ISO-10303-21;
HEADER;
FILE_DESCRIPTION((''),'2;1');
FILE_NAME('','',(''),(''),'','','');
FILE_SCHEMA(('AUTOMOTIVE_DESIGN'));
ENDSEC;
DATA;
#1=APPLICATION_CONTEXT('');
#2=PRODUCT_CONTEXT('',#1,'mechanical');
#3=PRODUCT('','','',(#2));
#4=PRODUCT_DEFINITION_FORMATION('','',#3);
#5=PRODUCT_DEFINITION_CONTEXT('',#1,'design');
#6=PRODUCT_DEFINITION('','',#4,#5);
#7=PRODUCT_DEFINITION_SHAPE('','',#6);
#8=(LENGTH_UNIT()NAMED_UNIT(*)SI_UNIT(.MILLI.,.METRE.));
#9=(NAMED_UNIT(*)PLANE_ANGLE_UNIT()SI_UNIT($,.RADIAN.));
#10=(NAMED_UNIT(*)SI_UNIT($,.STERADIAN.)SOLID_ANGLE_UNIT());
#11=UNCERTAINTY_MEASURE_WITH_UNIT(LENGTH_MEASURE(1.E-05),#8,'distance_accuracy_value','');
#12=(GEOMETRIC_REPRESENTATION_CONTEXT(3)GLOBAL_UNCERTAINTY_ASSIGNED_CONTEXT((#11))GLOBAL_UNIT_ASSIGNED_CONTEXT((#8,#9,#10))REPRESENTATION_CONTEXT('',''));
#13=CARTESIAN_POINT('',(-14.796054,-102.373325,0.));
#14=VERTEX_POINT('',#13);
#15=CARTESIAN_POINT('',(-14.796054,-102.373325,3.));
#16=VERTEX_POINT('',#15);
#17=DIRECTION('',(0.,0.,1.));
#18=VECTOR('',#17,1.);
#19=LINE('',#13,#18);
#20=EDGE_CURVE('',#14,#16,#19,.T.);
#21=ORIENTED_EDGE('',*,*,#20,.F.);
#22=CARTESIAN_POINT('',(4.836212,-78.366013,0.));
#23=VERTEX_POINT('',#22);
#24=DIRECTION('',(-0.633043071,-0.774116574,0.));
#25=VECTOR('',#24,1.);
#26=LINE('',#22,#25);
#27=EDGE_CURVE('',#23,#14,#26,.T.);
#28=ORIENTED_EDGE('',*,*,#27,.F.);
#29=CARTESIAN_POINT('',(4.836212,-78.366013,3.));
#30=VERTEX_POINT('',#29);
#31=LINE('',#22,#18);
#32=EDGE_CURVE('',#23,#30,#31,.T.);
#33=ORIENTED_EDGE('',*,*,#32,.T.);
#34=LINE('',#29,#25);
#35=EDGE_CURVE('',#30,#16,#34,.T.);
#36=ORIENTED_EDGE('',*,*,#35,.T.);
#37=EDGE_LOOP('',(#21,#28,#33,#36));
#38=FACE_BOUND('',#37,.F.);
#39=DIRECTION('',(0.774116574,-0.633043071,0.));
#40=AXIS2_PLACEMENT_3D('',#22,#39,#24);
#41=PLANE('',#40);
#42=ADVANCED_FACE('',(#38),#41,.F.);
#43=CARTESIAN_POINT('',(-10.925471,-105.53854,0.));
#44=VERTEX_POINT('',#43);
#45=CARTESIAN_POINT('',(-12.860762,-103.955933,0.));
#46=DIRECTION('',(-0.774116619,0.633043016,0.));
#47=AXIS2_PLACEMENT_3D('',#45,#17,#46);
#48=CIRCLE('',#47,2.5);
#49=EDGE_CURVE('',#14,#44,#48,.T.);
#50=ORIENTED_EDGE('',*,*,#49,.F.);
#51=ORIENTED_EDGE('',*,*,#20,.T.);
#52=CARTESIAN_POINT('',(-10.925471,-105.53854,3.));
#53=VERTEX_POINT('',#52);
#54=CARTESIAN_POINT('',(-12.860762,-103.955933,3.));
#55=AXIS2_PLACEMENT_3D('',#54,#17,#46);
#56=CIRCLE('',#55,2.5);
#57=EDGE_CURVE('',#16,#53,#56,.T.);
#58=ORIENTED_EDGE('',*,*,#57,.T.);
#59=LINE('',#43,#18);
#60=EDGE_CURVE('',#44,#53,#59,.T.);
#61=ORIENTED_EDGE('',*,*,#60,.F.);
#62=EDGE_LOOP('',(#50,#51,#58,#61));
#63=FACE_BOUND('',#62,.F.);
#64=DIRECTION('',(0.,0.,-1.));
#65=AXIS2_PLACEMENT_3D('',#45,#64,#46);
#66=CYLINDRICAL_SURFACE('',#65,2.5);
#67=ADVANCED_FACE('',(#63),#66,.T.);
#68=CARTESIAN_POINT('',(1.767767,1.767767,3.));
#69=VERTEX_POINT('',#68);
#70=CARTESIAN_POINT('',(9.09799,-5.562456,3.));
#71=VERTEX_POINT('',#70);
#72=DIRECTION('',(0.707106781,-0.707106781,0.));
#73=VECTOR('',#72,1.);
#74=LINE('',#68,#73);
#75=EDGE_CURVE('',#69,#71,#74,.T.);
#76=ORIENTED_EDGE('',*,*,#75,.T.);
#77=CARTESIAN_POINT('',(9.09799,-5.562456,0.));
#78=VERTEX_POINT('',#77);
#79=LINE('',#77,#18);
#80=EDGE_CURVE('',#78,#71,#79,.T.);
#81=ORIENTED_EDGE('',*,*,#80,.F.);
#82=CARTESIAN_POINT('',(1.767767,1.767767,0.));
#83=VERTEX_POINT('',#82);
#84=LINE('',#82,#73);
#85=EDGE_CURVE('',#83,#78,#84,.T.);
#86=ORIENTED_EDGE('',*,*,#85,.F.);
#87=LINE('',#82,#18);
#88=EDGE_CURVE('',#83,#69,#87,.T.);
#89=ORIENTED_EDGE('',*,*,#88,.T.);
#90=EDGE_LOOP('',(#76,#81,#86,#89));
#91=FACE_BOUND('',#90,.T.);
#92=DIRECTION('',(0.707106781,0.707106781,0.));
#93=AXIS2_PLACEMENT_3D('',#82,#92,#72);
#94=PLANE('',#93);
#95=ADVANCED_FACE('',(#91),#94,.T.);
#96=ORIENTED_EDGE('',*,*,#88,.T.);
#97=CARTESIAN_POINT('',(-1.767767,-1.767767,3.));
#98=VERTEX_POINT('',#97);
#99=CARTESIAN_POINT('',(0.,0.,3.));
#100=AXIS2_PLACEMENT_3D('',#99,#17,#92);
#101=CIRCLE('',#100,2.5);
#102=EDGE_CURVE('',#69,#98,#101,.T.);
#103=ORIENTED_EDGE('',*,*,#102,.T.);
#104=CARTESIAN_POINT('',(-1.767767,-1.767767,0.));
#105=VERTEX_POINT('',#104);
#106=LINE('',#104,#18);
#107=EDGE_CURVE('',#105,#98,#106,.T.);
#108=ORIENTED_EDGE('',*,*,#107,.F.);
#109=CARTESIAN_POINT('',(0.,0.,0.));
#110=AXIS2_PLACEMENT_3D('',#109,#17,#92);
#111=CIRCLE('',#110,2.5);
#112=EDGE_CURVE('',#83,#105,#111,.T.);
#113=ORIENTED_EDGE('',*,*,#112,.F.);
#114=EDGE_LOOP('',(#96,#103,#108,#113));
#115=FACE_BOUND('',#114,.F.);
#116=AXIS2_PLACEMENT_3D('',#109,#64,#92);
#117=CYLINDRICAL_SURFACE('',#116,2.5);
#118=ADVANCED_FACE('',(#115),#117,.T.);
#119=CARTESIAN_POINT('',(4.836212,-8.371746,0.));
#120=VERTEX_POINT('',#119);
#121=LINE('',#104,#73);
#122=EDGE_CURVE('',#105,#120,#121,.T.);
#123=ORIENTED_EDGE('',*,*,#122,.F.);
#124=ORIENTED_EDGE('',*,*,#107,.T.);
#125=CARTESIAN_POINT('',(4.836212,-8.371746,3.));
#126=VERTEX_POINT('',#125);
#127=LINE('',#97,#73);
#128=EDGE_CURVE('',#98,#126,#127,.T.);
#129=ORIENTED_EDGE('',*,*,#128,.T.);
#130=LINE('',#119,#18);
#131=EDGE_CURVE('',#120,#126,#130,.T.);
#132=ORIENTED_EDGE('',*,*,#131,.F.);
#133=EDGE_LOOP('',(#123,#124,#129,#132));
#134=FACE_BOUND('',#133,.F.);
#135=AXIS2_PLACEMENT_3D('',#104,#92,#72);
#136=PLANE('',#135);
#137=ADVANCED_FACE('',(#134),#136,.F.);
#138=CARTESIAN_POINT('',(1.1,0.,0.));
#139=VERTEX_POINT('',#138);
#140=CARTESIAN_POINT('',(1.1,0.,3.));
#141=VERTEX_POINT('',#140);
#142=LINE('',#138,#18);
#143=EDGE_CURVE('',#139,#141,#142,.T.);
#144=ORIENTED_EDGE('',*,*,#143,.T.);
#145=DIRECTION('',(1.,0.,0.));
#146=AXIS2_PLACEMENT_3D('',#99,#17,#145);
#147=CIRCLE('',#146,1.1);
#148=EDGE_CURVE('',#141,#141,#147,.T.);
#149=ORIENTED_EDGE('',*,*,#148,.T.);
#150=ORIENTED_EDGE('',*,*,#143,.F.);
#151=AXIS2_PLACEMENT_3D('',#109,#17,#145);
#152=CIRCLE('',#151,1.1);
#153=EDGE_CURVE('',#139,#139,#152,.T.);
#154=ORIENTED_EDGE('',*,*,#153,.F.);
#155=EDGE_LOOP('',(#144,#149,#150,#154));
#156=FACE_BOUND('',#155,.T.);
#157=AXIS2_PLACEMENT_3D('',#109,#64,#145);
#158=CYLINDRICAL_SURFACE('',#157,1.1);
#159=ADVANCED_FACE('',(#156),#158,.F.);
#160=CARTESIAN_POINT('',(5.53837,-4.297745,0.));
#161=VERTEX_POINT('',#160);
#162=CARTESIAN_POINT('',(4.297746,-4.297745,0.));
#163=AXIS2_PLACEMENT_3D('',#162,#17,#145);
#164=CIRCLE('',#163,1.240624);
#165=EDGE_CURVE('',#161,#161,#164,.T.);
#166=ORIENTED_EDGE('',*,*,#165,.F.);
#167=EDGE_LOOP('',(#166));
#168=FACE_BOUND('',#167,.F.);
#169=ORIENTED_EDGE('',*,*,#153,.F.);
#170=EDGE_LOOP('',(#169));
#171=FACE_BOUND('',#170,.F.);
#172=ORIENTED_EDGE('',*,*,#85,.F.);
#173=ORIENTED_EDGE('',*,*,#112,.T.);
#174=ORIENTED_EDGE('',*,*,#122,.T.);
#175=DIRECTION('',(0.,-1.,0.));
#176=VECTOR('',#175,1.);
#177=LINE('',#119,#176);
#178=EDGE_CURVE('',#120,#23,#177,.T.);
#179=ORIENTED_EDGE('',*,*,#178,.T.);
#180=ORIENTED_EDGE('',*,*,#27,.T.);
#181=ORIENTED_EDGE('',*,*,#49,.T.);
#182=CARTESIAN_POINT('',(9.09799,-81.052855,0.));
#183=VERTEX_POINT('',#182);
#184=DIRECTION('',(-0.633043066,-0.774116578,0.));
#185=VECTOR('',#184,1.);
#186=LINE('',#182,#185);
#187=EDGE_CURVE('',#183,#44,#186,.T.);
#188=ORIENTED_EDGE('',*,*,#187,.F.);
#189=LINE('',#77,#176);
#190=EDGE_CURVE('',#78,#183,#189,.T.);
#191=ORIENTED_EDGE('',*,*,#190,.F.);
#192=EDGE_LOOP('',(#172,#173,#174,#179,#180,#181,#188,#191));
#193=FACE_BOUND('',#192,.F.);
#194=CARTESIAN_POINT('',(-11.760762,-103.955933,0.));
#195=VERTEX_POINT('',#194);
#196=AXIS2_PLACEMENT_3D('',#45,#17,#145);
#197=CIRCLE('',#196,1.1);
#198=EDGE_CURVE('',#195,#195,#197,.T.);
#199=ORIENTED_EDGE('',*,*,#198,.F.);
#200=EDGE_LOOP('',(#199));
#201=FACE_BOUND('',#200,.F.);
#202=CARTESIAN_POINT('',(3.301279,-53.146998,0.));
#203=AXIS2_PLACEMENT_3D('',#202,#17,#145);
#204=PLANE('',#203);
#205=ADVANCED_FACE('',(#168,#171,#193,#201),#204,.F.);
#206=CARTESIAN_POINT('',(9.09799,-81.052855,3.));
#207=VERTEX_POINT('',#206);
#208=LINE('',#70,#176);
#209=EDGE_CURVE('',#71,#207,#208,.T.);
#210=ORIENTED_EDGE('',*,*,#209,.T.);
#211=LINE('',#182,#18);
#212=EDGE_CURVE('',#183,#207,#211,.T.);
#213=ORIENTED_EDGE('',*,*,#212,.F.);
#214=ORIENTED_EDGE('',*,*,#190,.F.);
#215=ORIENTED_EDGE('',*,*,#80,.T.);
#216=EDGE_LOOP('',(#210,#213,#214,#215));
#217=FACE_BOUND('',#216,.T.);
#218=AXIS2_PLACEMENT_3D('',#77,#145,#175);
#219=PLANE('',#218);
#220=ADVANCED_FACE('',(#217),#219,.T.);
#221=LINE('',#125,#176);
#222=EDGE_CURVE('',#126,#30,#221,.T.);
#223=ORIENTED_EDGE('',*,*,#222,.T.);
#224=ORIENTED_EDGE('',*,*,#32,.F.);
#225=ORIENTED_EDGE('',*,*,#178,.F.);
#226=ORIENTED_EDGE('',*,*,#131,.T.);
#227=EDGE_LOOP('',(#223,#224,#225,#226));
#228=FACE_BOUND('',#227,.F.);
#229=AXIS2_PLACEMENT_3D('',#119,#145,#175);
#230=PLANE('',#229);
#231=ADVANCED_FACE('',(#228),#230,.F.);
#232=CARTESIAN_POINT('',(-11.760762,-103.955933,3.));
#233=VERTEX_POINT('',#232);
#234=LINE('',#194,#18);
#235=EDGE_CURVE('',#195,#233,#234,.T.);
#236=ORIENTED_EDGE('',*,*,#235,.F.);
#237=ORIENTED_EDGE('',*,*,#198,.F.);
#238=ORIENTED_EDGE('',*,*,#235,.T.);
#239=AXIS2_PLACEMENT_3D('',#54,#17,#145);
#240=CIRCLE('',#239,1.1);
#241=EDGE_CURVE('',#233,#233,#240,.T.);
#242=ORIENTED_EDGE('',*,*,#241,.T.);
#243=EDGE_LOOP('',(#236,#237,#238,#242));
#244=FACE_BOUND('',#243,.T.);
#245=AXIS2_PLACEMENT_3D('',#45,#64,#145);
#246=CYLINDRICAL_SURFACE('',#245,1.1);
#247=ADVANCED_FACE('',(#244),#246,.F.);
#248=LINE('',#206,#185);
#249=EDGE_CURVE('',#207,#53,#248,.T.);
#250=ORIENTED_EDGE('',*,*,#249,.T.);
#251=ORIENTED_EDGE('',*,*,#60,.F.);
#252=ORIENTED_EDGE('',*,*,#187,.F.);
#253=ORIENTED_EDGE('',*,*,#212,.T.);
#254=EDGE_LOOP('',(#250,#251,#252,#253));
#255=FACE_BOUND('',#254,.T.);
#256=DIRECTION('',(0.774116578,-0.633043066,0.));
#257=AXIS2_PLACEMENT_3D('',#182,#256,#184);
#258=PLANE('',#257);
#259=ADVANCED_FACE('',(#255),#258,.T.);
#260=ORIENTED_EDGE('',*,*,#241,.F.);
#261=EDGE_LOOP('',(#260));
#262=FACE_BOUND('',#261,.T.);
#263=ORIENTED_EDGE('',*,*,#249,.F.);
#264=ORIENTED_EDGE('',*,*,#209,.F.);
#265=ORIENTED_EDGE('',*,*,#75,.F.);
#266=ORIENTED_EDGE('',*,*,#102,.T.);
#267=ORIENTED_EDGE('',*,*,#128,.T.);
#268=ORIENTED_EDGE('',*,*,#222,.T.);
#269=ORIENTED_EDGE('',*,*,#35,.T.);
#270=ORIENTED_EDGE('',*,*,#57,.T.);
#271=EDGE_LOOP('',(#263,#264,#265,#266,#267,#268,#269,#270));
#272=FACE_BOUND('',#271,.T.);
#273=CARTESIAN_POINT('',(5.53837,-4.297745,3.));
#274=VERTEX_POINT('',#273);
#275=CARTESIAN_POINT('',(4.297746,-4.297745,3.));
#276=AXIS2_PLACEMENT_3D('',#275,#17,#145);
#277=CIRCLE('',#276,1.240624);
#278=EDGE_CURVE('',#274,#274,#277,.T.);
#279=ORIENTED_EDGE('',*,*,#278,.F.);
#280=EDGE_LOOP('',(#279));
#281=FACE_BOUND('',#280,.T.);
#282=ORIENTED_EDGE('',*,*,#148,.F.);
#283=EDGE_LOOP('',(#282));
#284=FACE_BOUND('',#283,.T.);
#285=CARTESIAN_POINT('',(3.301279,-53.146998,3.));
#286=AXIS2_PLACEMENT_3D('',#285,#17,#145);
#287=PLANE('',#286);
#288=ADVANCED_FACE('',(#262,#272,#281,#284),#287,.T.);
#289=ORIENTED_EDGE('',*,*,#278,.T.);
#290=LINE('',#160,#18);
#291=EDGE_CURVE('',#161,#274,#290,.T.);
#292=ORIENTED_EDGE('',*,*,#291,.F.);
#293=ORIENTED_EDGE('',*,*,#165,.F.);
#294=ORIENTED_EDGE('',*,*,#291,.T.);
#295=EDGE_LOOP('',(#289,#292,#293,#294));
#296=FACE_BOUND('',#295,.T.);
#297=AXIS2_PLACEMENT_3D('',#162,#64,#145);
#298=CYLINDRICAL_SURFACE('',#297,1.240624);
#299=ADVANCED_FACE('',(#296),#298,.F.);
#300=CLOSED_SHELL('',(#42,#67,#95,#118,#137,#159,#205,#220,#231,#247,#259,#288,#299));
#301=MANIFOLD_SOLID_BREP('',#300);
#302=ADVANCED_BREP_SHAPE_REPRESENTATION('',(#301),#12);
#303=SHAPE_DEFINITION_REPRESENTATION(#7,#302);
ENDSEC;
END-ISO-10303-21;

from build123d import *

# Parameters (mm, degrees)
SKETCH_1_R   = 1.1
SKETCH_1_R_2 = 1.240624
PAD_DEPTH    = 3


with BuildPart() as part:
    # Sketch_1 → Pad (new body)
    with BuildSketch(Plane.XY):
        with BuildLine():
            ThreePointArc((1.767767, 1.767767), (-1.767767, 1.767767), (-1.767767, -1.767767))
            Line((-1.767767, -1.767767), (4.836212, -8.371746))
            Line((4.836212, -8.371746), (4.836212, -78.366013))
            Line((4.836212, -78.366013), (-14.796054, -102.373325))
            ThreePointArc((-14.796054, -102.373325), (-14.44337, -105.891224), (-10.925471, -105.53854))
            Line((9.09799, -81.052855), (-10.925471, -105.53854))
            Line((9.09799, -5.562456), (9.09799, -81.052855))
            Line((1.767767, 1.767767), (9.09799, -5.562456))
        make_face()
        with Locations((-12.860762, -103.955933)):
            Circle(SKETCH_1_R, mode=Mode.SUBTRACT)
        Circle(SKETCH_1_R, mode=Mode.SUBTRACT)
        with Locations((4.297746, -4.297745)):
            Circle(SKETCH_1_R_2, mode=Mode.SUBTRACT)
    extrude(amount=PAD_DEPTH)


solid = part.part
